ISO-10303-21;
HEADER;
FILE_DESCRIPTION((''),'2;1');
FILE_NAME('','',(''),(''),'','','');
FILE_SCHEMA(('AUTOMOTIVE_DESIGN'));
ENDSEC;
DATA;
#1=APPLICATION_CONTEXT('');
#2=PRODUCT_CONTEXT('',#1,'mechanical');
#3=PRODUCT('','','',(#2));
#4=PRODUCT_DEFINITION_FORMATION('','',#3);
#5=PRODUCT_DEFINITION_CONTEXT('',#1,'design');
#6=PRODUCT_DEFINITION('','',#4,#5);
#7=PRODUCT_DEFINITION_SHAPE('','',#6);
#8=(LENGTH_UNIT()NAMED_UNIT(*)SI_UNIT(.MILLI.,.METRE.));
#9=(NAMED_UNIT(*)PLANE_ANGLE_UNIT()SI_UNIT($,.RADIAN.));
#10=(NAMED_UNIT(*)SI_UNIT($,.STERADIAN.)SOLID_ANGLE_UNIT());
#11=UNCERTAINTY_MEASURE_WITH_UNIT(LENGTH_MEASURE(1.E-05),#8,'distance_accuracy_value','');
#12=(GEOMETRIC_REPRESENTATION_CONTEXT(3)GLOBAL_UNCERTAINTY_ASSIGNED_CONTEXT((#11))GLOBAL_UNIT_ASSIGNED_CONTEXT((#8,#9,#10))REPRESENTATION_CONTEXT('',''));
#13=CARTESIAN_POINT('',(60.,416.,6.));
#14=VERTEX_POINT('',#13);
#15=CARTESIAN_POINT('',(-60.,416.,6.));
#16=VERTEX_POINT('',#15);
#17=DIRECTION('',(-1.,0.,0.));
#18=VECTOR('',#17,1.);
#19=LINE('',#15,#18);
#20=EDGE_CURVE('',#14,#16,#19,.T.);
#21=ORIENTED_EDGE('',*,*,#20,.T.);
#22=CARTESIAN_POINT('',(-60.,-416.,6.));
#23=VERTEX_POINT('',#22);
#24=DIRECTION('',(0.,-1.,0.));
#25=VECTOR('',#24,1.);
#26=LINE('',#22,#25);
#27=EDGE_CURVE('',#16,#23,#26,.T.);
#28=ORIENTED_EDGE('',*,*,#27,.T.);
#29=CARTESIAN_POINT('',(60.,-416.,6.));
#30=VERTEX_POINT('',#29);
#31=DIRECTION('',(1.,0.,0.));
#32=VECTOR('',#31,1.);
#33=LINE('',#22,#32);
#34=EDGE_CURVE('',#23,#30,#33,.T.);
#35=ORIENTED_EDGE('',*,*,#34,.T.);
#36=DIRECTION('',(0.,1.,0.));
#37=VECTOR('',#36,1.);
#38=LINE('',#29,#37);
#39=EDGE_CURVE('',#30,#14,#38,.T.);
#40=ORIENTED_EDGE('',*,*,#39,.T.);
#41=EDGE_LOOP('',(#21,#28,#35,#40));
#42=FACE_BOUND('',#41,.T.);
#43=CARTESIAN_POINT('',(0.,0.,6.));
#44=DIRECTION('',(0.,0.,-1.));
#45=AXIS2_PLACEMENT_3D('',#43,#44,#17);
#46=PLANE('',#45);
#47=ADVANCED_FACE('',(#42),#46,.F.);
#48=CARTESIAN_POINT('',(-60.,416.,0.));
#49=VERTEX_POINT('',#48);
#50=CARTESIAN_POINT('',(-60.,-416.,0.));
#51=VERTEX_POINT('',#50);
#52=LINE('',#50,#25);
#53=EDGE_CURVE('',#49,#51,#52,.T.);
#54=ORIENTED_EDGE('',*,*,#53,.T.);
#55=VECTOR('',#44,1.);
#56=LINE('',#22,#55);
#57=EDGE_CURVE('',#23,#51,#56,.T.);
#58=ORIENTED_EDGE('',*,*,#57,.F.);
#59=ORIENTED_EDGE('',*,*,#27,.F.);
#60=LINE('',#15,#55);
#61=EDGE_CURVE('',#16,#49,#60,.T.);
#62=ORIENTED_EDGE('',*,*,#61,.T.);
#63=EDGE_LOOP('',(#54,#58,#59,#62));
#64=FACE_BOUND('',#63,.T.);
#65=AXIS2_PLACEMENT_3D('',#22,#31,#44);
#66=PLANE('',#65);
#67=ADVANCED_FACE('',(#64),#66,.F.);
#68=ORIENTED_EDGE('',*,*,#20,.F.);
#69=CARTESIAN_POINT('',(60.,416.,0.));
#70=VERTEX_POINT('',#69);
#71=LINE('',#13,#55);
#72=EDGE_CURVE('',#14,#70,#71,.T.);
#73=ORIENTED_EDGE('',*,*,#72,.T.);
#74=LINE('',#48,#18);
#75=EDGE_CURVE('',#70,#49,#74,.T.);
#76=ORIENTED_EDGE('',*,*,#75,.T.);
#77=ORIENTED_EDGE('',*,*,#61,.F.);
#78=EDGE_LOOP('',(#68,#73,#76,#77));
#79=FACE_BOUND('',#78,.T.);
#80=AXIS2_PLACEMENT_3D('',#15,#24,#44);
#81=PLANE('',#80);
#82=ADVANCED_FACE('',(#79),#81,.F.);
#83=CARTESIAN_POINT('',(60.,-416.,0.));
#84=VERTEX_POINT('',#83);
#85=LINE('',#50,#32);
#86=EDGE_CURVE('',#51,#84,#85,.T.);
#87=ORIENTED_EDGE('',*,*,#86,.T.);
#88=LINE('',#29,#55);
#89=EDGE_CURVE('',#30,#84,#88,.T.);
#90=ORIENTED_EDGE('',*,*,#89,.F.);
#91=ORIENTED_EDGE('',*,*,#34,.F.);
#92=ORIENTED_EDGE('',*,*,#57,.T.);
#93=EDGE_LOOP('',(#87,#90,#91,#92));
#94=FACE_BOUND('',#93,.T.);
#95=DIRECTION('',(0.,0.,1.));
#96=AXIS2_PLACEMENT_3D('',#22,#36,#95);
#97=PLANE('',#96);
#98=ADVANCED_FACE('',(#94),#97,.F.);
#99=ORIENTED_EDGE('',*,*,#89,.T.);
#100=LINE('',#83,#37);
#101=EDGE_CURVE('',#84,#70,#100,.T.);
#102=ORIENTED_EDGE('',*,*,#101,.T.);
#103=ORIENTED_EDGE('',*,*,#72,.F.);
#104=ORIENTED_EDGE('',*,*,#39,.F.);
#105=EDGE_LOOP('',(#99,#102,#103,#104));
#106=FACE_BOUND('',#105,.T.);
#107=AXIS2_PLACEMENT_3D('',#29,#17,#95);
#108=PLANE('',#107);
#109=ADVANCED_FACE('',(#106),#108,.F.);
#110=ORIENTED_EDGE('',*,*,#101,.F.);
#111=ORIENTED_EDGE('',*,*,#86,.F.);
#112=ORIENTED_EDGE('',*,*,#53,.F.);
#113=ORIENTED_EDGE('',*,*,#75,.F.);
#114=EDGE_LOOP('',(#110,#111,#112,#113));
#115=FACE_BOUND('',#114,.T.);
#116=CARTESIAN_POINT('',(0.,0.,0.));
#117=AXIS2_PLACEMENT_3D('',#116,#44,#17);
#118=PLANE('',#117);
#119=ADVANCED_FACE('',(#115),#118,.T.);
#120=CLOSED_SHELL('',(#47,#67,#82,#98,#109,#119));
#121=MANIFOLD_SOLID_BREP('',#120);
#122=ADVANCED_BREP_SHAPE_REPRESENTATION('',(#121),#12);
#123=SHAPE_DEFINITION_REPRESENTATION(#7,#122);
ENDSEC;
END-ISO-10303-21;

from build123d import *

# Parameters (mm, degrees)
ESQUISSE1_W        = 120
ESQUISSE1_H        = 832
BOSS_EXTRU_1_DEPTH = 6


with BuildPart() as part:
    # Esquisse1 → Boss.-Extru.1 (new body)
    with BuildSketch(Plane.XY):
        Rectangle(ESQUISSE1_W, ESQUISSE1_H)
    extrude(amount=BOSS_EXTRU_1_DEPTH)


solid = part.part
